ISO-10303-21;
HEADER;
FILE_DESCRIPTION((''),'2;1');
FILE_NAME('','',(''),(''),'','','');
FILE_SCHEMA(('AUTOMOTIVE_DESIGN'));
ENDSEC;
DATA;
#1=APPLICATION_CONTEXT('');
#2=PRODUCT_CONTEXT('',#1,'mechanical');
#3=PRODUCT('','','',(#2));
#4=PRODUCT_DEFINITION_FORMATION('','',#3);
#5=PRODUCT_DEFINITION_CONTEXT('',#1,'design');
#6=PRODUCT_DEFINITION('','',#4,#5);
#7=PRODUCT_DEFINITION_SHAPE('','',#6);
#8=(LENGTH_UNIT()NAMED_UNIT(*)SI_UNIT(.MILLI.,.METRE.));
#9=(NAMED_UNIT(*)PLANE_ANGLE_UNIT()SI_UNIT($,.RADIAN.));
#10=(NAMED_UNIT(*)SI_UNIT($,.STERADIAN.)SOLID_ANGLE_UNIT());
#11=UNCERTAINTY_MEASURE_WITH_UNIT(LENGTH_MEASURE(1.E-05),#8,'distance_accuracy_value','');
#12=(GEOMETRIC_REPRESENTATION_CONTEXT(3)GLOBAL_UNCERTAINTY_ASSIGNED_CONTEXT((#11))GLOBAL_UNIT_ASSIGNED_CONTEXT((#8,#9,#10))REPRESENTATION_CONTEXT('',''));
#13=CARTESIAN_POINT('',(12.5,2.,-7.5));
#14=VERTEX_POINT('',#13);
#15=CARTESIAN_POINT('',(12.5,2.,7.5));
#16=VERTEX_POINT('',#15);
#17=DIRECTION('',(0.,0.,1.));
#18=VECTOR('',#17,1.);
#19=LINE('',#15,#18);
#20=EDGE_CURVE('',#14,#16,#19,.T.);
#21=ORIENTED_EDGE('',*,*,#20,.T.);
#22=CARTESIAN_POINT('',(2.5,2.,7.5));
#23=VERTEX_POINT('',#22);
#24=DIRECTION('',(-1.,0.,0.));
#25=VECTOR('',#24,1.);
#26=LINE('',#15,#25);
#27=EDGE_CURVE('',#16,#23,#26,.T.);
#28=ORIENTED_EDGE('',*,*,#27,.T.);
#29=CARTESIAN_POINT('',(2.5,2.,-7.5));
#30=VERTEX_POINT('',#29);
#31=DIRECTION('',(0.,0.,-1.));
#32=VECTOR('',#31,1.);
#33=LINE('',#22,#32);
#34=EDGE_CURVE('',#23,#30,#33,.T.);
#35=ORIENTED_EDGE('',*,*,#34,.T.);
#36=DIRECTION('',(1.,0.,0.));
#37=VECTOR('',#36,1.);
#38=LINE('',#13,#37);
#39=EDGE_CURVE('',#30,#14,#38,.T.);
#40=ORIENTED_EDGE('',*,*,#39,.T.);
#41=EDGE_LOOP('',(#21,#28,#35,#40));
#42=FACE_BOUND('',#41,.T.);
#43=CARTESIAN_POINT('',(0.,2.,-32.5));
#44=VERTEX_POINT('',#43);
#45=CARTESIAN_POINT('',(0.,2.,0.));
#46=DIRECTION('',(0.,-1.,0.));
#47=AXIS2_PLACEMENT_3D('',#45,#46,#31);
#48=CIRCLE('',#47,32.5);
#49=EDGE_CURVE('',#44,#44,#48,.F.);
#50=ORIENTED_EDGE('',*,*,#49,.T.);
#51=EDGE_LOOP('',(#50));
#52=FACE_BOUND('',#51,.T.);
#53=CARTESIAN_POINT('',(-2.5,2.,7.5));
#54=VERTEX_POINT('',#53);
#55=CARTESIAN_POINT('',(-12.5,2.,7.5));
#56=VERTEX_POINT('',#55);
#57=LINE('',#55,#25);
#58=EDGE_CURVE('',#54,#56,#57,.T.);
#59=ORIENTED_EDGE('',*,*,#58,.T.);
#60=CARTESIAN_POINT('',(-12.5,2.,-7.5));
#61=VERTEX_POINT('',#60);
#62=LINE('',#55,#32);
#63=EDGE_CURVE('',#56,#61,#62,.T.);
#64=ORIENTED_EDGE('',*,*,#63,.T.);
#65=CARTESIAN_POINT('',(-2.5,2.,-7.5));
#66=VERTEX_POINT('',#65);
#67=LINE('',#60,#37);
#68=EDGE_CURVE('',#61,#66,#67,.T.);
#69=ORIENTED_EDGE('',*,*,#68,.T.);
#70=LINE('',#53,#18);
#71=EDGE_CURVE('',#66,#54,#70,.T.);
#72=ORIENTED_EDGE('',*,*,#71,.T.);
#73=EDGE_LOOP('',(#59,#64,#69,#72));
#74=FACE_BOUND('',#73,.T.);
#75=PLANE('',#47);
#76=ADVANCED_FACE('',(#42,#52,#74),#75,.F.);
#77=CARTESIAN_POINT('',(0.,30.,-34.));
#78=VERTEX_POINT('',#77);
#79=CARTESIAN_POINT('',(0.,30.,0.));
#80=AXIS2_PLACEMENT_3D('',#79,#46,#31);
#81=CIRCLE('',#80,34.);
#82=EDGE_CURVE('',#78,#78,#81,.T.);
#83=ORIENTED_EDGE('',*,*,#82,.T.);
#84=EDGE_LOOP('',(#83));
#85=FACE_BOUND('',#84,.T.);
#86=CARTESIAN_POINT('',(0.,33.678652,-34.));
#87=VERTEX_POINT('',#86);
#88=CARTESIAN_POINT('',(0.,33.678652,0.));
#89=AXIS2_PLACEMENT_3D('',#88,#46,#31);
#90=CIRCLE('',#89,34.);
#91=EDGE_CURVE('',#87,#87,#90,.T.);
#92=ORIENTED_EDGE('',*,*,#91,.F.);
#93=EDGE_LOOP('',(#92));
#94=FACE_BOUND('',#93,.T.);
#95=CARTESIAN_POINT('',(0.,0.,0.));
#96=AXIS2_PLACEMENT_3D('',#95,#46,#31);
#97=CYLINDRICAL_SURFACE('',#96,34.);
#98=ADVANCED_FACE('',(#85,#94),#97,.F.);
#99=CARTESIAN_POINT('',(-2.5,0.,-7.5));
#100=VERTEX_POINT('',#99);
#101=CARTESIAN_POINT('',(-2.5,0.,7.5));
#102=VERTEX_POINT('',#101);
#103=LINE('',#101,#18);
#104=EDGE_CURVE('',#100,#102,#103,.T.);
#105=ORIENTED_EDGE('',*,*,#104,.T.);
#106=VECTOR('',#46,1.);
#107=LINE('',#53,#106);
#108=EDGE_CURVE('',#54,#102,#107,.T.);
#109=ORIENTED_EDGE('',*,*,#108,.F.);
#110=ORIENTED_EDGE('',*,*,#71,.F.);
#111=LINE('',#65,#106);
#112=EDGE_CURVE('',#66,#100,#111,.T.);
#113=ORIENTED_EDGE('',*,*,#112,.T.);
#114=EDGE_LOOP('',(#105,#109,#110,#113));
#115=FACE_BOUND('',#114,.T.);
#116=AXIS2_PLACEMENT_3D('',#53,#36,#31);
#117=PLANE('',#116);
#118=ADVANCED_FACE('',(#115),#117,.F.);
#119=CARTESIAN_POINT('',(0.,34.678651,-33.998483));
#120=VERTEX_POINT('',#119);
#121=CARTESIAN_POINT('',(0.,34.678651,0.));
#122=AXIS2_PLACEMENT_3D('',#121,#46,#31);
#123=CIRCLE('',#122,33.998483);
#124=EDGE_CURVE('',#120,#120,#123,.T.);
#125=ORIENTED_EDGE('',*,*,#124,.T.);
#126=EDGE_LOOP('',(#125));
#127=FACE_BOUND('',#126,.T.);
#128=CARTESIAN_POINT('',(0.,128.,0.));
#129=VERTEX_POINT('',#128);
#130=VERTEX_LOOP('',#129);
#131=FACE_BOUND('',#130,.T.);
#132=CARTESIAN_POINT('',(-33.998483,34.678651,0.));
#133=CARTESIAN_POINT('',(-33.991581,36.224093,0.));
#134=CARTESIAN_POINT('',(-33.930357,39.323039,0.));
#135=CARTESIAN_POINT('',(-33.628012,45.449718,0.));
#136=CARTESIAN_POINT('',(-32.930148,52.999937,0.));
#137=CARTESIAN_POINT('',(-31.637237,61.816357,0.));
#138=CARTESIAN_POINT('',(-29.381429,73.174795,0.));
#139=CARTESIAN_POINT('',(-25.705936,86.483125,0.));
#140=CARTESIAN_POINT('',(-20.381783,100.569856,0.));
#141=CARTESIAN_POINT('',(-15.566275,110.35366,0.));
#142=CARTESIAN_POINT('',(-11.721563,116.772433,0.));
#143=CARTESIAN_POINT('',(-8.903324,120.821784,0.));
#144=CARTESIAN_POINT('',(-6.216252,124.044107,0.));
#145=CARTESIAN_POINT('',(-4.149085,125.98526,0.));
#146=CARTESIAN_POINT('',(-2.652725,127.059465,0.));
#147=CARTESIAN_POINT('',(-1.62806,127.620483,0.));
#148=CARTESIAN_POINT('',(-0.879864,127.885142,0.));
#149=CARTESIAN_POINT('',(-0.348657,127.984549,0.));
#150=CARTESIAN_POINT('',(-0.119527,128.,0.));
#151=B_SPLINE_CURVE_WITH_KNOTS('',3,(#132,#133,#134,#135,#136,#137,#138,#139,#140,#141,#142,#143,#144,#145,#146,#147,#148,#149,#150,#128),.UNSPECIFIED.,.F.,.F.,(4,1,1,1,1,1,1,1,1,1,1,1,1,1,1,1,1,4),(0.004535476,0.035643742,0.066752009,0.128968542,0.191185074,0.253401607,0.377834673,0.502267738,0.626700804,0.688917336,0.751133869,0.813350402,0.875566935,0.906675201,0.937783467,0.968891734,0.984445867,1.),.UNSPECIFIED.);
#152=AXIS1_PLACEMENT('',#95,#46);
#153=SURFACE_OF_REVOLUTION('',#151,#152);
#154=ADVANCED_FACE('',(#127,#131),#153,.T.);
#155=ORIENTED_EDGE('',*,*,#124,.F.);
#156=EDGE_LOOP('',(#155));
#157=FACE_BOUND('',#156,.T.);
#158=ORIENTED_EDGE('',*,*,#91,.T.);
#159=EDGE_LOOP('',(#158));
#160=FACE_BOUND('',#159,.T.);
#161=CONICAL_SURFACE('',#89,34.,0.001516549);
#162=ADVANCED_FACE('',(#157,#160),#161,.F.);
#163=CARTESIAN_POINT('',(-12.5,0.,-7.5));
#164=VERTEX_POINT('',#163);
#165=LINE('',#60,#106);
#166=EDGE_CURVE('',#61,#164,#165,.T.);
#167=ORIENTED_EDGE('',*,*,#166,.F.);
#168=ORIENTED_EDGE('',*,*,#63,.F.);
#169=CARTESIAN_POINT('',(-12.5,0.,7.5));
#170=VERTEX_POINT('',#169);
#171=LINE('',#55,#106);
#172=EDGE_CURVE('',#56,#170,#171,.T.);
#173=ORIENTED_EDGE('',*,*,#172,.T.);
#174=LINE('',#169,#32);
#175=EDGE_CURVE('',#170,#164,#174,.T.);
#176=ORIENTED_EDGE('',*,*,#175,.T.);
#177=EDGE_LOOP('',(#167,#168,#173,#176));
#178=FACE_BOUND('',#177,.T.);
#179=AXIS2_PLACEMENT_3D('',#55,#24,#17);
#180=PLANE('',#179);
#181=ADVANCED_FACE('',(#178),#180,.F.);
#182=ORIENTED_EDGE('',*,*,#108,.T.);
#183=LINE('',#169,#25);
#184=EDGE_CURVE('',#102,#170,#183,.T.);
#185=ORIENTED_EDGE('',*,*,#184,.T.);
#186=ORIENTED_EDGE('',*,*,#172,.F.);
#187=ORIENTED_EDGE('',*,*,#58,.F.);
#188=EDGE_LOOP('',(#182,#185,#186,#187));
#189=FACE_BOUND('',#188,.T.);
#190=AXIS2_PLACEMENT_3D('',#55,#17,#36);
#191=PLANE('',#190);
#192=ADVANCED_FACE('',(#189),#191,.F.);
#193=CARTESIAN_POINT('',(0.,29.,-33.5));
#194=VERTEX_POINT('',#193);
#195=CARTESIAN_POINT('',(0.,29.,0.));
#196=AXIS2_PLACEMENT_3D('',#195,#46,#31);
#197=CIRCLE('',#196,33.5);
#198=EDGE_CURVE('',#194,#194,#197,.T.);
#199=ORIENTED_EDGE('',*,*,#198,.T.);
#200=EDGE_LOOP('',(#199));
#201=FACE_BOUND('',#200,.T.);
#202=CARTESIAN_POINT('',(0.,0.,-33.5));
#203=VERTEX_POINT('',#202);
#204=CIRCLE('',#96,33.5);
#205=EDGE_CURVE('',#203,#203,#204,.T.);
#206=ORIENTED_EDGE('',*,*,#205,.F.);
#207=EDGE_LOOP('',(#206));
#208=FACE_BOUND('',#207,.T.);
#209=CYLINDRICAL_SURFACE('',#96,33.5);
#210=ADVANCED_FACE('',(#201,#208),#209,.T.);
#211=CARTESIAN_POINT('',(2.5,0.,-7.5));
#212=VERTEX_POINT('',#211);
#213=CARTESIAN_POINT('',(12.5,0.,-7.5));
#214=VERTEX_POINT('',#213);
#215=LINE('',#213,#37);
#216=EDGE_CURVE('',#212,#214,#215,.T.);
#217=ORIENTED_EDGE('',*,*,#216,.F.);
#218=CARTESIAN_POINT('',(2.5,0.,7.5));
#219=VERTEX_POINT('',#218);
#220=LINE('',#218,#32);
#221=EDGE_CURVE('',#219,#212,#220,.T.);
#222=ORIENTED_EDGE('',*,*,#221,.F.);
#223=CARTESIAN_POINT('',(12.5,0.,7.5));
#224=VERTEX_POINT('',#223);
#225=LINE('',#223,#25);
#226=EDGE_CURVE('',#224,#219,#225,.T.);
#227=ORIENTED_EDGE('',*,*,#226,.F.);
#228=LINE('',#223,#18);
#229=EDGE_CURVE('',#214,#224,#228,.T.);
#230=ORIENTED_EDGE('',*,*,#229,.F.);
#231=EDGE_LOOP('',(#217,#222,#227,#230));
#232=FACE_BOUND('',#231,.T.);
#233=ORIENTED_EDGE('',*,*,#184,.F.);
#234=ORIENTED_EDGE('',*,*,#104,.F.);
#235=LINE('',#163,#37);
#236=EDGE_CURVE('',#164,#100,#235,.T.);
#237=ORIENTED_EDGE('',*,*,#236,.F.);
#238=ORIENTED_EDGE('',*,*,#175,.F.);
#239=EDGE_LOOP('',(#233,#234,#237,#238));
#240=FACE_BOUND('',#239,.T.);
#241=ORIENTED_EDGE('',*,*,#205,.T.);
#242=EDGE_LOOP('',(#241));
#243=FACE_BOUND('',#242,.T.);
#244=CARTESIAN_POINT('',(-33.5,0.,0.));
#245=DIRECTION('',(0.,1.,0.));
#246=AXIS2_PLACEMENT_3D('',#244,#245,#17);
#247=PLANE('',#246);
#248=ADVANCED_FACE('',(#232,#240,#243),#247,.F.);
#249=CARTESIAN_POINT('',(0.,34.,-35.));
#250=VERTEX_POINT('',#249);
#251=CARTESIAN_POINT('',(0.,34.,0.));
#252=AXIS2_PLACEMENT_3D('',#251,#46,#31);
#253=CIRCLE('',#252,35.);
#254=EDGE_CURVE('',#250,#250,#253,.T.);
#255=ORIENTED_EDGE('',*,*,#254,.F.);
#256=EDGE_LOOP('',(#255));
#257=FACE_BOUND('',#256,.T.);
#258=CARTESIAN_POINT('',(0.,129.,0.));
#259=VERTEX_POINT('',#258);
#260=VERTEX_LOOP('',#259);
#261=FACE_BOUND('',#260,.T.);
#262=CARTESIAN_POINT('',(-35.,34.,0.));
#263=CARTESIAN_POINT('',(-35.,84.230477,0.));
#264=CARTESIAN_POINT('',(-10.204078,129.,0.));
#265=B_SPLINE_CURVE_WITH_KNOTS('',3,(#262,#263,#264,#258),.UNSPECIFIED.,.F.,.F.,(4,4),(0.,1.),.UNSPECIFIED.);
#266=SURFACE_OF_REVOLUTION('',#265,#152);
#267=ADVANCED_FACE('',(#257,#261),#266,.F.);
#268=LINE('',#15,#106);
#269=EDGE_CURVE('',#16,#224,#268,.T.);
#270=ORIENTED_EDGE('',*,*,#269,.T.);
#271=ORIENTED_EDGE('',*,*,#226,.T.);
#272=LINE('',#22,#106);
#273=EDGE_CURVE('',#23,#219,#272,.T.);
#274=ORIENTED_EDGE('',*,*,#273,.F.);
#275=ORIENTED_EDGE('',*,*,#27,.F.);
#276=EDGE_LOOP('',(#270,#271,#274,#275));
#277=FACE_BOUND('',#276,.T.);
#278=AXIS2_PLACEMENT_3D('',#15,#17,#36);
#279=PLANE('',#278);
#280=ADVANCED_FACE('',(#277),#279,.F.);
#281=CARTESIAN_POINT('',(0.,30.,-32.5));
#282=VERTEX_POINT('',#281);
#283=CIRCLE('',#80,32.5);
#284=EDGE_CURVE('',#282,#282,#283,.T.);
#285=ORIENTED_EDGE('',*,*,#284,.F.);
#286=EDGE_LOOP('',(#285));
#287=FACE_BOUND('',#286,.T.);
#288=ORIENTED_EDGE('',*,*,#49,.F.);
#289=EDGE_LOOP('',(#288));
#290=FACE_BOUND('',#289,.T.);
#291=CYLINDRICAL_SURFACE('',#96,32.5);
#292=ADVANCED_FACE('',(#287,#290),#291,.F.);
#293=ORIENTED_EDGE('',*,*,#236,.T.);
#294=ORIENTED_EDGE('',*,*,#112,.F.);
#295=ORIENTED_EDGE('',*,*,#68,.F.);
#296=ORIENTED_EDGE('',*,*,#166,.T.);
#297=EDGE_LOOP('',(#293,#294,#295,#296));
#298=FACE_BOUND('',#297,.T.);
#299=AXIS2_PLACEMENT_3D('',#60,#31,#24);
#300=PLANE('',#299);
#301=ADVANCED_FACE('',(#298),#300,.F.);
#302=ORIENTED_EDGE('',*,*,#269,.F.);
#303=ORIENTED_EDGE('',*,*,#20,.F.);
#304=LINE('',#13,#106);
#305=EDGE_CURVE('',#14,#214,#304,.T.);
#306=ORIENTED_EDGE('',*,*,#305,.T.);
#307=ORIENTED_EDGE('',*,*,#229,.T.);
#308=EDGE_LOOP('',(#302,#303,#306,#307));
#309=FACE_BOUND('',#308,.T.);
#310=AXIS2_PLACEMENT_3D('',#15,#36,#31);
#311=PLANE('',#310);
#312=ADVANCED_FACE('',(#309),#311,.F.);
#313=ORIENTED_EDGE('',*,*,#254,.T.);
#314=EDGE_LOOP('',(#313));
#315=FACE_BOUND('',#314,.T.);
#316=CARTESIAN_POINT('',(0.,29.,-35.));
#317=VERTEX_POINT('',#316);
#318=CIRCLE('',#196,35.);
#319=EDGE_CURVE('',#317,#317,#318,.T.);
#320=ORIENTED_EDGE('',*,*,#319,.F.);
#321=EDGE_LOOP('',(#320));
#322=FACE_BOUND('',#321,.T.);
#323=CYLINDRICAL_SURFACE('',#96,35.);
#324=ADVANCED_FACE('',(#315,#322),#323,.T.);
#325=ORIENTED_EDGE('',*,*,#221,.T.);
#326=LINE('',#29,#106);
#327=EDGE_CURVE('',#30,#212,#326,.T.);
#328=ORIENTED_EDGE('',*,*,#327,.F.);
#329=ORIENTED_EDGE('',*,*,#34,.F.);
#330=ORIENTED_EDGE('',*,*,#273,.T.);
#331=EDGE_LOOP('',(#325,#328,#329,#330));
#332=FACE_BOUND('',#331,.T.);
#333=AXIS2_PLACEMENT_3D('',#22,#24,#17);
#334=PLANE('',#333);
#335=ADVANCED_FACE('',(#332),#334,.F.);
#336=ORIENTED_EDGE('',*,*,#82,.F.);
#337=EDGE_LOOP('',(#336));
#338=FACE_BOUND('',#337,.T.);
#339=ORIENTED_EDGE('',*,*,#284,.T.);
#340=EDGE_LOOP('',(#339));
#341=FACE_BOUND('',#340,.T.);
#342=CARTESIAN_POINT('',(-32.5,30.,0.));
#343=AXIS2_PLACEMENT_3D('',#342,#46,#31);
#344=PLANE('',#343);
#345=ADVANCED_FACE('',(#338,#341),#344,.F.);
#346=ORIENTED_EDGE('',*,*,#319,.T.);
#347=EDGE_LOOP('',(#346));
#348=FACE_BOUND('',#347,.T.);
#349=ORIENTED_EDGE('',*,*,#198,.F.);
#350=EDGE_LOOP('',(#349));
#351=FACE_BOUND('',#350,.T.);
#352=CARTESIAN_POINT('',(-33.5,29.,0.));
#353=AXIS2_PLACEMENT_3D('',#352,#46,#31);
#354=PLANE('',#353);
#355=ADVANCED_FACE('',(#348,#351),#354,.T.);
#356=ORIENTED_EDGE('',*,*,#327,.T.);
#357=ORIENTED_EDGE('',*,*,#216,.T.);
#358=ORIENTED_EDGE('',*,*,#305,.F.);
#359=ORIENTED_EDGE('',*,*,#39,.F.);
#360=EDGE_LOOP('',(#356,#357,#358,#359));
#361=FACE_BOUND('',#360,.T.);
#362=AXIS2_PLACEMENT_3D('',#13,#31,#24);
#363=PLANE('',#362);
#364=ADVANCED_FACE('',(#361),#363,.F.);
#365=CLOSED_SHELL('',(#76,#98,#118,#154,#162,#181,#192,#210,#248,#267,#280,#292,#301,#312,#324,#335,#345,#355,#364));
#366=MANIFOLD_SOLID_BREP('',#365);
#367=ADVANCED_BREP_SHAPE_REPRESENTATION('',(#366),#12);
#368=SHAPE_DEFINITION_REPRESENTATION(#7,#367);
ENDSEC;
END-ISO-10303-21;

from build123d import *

# Parameters (mm, degrees)
BOSS_EXTRUDE1_START = -2
SKETCH2_R           = 33.5
BOSS_EXTRUDE1_DEPTH = 2
SKETCH3_W           = 10
SKETCH3_H           = 15
CUT_EXTRUDE1_DEPTH  = 2


with BuildPart() as part:
    # Sketch1 → Revolve1 (revolve)
    with BuildSketch(Plane.XY, mode=Mode.PRIVATE) as revolve1_sk:
        with BuildLine():
            Line((-33.5, 0), (-33.5, 29))
            Line((-33.5, 29), (-35, 29))
            Line((-35, 29), (-35, 34))
            add(Edge.make_bspline(
                [(-35, 34), (-35, 84.230477341), (-10.204077545, 129), (0, 129)],
                knots=[0, 0, 0, 0, 1, 1, 1, 1], degree=3))
            Line((0, 129), (0, 128))
            add(Edge.make_bspline(
                [(-33.998483451, 34.678650605), (-33.991581263, 36.224092512), (-33.93035746, 39.323038638), (-33.628011861, 45.449717858), (-32.930147658, 52.999936547), (-31.637237127, 61.816356904), (-29.381428766, 73.174794828), (-25.705936414, 86.483124789), (-20.381782509, 100.569855924), (-15.566274854, 110.353659681), (-11.721562917, 116.772432581), (-8.903323702, 120.821784375), (-6.216251644, 124.044106905), (-4.149084944, 125.985259834), (-2.652724981, 127.059465204), (-1.628060193, 127.620483156), (-0.879863894, 127.88514238), (-0.348657385, 127.984548618), (-0.119526866, 128), (0, 128)],
                knots=[0.004535476, 0.004535476, 0.004535476, 0.004535476, 0.035643742, 0.066752009, 0.128968542, 0.191185074, 0.253401607, 0.377834673, 0.502267738, 0.626700804, 0.688917336, 0.751133869, 0.813350402, 0.875566935, 0.906675201, 0.937783467, 0.968891734, 0.984445867, 1, 1, 1, 1], degree=3))
            Line((-33.998483451, 34.678650605), (-34, 33.678651755))
            Line((-34, 33.678651755), (-34, 30))
            Line((-34, 30), (-32.5, 30))
            Line((-32.5, 30), (-32.5, 0))
            Line((-32.5, 0), (-33.5, 0))
        make_face()
    revolve(revolve1_sk.sketch.rotate(Axis((0, 0, 0), (0, 1, 0)), 270), axis=Axis((0, 0, 0), (0, 1, 0)))

    # Sketch2 → Boss-Extrude1 (add)
    with BuildSketch(Plane.XZ.offset(BOSS_EXTRUDE1_START)):
        with Locations(Location((0, 0, 0), (0, 0, 270))):
            Circle(SKETCH2_R)
    extrude(amount=BOSS_EXTRUDE1_DEPTH)

    # Sketch3 → Cut-Extrude1 (cut)
    with BuildSketch(Plane.XZ):
        with Locations((7.5, 0)):
            Rectangle(SKETCH3_W, SKETCH3_H)
        with Locations((-7.5, 0)):
            Rectangle(SKETCH3_W, SKETCH3_H)
    extrude(amount=-CUT_EXTRUDE1_DEPTH, mode=Mode.SUBTRACT)


solid = part.part
